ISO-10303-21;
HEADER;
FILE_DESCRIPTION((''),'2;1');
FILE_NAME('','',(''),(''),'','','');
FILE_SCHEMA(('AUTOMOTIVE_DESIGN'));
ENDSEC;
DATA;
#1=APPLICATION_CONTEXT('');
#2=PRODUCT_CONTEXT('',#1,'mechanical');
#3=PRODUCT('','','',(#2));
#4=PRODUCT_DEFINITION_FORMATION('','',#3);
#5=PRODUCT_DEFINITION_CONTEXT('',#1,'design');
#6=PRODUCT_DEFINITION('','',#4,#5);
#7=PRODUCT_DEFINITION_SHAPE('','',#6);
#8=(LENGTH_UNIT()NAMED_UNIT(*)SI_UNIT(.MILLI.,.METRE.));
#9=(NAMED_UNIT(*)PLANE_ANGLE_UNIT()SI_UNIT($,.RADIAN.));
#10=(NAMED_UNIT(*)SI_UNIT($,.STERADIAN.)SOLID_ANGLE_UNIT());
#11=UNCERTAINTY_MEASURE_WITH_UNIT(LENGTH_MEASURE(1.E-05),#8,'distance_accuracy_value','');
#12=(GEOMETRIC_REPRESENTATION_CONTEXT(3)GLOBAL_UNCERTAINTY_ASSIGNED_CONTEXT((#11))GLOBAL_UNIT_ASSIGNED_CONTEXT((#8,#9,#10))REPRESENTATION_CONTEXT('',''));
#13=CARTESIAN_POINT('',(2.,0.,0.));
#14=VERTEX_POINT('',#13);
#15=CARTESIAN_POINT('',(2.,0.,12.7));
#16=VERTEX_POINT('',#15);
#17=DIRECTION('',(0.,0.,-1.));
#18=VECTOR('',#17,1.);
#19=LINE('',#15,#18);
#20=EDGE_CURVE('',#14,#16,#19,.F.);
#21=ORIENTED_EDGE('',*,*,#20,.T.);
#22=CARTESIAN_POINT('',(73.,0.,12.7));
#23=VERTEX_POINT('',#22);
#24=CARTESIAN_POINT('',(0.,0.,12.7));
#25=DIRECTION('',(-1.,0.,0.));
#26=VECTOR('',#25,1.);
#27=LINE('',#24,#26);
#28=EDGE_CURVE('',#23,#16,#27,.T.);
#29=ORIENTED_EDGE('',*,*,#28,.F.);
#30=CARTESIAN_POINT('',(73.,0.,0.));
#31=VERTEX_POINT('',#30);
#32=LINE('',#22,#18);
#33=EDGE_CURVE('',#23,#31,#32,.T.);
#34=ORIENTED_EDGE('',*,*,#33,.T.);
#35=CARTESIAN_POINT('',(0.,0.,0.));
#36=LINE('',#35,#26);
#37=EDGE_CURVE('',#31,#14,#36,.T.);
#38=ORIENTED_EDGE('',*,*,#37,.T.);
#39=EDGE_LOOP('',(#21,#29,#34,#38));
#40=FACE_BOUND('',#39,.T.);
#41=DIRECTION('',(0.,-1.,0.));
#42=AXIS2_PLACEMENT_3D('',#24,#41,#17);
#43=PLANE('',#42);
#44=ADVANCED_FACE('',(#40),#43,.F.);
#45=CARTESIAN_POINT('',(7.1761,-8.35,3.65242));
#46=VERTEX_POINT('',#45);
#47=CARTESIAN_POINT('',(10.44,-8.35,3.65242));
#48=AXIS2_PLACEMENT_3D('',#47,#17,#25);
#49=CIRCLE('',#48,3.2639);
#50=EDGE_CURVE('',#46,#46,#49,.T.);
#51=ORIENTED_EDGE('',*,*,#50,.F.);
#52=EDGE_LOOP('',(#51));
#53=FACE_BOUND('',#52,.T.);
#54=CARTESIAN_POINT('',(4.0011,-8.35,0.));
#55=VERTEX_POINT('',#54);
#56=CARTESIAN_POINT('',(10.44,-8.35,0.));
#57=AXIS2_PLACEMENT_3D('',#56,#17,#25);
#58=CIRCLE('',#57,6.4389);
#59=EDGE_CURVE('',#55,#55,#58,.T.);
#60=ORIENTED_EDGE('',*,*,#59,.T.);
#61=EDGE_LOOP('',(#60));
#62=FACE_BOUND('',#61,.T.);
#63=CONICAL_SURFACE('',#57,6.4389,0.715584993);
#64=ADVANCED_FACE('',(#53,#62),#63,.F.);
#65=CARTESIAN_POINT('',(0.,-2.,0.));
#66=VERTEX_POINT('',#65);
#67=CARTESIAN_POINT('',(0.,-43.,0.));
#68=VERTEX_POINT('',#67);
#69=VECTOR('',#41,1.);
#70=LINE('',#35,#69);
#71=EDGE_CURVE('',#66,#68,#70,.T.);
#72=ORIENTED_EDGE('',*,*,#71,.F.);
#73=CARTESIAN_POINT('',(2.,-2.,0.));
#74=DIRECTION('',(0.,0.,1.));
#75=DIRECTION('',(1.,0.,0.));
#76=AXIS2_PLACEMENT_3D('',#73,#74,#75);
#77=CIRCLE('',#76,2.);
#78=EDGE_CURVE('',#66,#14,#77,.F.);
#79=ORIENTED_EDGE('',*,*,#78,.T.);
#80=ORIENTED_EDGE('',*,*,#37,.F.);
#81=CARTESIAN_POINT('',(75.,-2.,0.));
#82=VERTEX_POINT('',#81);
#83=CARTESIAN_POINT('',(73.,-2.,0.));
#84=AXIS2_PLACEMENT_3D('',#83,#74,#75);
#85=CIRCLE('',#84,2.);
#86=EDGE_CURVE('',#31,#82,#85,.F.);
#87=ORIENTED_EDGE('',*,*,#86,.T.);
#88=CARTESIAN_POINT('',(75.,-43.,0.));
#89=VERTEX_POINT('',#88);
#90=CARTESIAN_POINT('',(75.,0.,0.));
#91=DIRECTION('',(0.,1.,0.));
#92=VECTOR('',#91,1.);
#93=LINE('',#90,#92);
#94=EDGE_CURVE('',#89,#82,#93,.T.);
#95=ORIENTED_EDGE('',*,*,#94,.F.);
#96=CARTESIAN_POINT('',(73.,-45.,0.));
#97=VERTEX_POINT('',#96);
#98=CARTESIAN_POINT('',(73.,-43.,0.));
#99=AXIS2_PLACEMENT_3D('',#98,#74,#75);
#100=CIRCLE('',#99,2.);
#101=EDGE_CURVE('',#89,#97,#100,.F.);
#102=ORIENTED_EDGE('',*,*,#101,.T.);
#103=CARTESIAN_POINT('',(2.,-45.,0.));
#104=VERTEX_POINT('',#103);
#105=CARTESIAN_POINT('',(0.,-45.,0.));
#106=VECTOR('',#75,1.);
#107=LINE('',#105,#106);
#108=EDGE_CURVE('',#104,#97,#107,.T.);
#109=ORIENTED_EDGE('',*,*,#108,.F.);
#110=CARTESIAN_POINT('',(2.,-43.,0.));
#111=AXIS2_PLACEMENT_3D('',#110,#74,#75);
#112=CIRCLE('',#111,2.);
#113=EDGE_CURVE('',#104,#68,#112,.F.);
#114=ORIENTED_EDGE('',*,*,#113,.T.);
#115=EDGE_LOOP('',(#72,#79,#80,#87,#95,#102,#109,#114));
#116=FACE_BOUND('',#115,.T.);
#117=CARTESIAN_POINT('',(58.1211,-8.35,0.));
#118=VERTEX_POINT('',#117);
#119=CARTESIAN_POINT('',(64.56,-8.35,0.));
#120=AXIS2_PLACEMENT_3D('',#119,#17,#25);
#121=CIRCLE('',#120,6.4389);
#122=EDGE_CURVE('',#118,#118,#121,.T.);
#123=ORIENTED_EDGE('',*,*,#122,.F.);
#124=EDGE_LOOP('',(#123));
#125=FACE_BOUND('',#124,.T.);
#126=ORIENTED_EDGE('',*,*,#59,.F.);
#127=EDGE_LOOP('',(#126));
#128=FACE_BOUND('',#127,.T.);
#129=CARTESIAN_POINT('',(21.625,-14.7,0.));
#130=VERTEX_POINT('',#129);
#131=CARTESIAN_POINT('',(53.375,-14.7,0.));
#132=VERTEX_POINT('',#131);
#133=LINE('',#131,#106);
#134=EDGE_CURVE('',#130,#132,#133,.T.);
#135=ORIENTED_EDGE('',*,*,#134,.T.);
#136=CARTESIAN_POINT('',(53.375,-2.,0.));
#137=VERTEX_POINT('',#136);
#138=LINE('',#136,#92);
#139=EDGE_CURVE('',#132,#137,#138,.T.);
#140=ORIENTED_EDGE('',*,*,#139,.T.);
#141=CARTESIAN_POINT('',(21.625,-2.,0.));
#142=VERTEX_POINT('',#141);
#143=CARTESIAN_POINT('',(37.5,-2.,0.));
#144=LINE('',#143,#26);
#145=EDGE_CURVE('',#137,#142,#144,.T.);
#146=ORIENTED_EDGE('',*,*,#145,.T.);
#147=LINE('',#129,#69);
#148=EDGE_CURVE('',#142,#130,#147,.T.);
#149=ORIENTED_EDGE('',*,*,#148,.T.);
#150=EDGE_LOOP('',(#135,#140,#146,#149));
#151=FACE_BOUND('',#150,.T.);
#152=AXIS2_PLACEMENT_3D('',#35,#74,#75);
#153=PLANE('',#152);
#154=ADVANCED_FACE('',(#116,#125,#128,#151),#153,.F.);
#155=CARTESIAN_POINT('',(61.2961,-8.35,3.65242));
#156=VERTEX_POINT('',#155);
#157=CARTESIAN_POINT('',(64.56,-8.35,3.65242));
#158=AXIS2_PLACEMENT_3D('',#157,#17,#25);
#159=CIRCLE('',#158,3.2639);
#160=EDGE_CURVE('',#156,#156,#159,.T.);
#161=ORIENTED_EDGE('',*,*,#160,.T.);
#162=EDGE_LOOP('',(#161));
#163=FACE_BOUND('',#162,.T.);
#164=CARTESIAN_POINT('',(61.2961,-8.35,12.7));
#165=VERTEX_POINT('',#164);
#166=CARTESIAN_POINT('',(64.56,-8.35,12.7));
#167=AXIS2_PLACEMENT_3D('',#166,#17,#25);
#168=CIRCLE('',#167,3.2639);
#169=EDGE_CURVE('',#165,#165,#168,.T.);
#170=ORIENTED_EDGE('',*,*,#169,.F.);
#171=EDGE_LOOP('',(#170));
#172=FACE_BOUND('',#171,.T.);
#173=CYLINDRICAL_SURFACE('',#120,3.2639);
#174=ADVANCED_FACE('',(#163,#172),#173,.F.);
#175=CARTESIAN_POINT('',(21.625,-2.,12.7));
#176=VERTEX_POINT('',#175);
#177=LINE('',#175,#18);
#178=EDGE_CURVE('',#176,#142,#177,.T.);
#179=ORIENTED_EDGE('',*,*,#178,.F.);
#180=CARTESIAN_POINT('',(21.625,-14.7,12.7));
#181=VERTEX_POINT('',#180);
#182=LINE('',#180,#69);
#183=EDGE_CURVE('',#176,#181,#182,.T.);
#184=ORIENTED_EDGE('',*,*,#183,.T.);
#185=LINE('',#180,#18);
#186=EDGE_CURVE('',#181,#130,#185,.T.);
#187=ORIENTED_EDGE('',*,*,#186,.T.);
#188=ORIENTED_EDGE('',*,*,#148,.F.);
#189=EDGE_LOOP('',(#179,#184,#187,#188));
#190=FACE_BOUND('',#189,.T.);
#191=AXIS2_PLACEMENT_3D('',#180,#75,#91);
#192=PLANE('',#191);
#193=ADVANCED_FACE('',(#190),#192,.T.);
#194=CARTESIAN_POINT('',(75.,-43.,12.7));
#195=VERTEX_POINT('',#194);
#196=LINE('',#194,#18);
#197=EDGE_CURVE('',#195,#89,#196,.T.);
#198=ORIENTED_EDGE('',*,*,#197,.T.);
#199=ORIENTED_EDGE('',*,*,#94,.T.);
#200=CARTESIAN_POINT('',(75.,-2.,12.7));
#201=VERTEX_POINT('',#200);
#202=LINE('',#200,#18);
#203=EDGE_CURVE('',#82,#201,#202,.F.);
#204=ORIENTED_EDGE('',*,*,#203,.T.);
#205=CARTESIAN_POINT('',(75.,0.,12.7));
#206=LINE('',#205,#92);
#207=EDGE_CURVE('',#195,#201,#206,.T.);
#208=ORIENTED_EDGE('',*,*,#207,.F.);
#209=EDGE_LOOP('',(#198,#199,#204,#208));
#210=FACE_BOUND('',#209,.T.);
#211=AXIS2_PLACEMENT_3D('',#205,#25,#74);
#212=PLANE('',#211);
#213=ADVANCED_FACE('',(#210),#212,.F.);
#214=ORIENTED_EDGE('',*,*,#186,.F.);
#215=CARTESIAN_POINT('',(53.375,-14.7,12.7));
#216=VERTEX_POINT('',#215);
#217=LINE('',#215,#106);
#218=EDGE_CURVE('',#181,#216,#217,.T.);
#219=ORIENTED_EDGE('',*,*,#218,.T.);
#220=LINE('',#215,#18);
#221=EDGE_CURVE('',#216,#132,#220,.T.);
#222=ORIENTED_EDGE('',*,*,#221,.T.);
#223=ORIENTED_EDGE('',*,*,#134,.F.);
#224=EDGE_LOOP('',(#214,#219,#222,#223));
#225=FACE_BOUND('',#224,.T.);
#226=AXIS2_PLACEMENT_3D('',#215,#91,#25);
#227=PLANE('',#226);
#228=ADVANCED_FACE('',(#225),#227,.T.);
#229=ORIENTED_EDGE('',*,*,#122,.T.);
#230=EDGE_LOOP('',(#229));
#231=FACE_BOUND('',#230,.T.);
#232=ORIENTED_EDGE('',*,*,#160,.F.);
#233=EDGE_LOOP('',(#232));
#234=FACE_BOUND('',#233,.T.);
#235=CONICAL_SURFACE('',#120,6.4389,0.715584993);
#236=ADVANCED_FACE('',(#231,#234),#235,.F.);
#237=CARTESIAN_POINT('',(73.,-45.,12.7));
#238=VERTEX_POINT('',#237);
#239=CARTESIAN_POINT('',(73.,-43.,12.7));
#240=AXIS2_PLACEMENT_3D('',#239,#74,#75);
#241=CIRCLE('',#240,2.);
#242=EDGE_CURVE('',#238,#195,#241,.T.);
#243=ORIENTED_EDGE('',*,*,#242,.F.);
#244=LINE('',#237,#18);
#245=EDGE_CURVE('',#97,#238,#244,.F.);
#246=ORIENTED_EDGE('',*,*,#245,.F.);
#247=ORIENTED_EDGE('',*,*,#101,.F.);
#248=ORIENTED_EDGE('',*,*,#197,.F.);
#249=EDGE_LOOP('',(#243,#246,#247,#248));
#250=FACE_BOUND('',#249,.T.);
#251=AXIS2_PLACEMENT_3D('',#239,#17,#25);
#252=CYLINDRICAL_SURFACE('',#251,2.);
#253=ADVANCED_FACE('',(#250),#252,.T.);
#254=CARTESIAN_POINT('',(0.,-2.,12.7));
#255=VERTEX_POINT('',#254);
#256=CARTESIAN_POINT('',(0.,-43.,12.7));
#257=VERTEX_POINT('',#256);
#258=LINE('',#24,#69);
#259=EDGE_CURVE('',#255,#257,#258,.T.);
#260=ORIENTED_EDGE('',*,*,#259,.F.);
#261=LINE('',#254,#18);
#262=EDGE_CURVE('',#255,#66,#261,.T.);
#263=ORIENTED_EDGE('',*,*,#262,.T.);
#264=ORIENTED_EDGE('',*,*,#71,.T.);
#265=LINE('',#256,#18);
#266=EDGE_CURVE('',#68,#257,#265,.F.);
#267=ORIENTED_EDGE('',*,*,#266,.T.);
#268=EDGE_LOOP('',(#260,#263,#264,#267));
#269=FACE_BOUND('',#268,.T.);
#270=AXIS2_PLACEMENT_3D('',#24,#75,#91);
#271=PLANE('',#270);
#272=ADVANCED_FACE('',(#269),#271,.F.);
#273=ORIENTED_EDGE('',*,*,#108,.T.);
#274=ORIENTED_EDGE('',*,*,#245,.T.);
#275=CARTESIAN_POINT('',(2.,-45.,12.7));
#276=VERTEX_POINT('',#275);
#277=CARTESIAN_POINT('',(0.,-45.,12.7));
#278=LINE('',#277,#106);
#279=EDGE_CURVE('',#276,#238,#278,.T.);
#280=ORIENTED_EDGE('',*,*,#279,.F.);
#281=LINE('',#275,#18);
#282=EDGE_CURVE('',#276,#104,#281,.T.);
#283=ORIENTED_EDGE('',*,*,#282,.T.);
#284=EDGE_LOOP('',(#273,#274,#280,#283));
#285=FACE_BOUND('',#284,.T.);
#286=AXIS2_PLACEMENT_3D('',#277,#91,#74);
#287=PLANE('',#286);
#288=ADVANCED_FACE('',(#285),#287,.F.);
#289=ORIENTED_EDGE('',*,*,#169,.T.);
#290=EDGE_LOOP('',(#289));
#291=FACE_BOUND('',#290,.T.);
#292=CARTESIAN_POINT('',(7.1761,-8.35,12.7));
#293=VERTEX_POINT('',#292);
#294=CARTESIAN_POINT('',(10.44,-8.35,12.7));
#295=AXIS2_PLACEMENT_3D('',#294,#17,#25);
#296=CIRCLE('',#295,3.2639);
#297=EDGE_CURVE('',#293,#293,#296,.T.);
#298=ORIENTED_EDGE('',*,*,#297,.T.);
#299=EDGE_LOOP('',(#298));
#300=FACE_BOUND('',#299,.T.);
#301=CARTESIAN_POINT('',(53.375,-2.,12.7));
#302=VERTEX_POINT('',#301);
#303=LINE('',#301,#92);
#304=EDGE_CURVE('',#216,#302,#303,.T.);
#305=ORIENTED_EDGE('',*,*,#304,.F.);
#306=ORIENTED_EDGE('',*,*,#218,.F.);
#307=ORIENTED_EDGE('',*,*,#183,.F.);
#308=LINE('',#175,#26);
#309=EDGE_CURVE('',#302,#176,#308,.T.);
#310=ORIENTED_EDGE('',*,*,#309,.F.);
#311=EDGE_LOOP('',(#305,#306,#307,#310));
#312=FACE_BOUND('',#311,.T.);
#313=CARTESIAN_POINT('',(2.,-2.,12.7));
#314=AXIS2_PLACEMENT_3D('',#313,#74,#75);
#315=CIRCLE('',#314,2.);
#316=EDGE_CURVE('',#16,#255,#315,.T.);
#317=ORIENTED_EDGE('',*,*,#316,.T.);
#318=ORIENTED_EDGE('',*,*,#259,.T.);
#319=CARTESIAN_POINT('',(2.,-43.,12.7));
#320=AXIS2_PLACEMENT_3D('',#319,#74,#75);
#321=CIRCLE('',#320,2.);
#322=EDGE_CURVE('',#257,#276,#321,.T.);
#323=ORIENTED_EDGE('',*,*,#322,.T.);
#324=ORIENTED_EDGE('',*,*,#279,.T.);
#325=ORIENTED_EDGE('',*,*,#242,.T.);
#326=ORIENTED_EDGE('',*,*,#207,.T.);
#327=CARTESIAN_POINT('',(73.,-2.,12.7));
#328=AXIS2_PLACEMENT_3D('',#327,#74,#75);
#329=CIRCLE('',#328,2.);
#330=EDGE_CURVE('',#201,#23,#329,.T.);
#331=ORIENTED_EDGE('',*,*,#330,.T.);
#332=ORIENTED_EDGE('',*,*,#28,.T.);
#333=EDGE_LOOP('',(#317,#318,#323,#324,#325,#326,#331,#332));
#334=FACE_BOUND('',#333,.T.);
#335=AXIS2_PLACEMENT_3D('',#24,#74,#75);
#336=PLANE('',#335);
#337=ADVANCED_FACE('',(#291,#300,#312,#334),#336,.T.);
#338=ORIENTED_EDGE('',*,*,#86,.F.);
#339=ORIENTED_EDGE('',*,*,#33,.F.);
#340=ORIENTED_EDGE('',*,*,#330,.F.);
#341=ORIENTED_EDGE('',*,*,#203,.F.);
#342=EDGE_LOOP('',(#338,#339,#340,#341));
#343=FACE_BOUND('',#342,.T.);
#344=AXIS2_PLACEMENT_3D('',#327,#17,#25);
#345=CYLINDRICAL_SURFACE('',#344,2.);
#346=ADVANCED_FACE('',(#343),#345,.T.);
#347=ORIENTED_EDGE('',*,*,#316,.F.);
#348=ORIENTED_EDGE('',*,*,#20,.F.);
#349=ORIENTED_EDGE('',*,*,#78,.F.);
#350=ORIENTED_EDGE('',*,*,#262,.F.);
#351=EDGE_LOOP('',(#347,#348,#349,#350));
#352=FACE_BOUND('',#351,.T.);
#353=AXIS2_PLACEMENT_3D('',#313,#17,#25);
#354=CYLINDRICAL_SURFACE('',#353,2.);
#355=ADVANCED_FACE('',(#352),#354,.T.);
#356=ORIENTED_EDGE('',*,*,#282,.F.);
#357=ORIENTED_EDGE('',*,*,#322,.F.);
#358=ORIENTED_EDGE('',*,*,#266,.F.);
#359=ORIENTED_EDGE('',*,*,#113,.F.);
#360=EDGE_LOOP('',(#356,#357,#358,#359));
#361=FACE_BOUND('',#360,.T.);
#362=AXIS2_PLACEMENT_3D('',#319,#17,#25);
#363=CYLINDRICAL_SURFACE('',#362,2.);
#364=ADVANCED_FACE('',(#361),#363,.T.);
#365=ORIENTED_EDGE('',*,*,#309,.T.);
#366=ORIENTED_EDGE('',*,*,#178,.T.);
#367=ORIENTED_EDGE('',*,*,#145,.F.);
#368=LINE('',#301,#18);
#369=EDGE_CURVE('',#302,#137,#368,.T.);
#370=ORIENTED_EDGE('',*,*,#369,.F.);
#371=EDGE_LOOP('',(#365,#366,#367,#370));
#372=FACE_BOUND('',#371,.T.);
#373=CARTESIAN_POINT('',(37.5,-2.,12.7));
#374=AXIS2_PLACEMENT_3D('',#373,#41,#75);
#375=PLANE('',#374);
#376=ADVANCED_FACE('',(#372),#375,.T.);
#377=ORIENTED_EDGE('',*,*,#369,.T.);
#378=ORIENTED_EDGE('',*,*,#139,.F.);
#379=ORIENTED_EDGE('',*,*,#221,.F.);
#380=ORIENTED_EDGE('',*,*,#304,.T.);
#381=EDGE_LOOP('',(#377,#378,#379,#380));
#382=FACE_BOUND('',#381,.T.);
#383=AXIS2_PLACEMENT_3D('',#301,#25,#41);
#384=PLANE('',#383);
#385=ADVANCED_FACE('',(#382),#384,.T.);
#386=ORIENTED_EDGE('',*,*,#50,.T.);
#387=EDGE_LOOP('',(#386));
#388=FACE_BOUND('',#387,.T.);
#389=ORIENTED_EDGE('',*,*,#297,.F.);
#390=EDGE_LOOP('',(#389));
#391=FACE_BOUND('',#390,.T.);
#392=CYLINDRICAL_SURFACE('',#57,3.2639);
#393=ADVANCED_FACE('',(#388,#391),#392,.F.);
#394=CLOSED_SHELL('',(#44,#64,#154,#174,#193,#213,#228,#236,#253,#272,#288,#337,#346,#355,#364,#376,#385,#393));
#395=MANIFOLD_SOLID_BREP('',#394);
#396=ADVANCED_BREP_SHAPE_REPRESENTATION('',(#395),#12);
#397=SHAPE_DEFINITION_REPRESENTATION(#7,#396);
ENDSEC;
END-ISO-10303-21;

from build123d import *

# Parameters (mm, degrees)
SKETCH1_W                                        = 75
SKETCH1_H                                        = 45
BOSS_EXTRUDE1_DEPTH                              = 12.7
CSK_FOR_1_4_FLAT_HEAD_MACHINE_SCREW2_D           = 6.5278
CSK_FOR_1_4_FLAT_HEAD_MACHINE_SCREW2_CSINK_D     = 12.8778
CSK_FOR_1_4_FLAT_HEAD_MACHINE_SCREW2_CSINK_ANGLE = 82
FILLET1_R                                        = 2
FILLET2_R                                        = 2


with BuildPart() as part:
    # Sketch1 → Boss-Extrude1 (new body)
    with BuildSketch(Plane.XY):
        with Locations((37.5, -22.5)):
            Rectangle(SKETCH1_W, SKETCH1_H)
        Polygon((37.5, -2), (53.375, -2), (53.375, -14.7), (21.625, -14.7), (21.625, -2), align=None, mode=Mode.SUBTRACT)
    extrude(amount=BOSS_EXTRUDE1_DEPTH)

    # CSK for 1/4 Flat Head Machine Screw2 (through all)
    with Locations(Plane(origin=(0, 0, 0), x_dir=(-1, 0, 0), z_dir=(0, 0, -1))):
        with Locations((-64.56, -8.35), (-10.44, -8.35)):
            CounterSinkHole(CSK_FOR_1_4_FLAT_HEAD_MACHINE_SCREW2_D / 2, CSK_FOR_1_4_FLAT_HEAD_MACHINE_SCREW2_CSINK_D / 2, counter_sink_angle=CSK_FOR_1_4_FLAT_HEAD_MACHINE_SCREW2_CSINK_ANGLE)

    # Fillet1
    fillet1_edges = [part.edges().sort_by_distance(p)[0] for p in [
        (0, 0, 6.35),
        (0, -45, 6.35),
    ]]
    fillet(fillet1_edges, radius=FILLET1_R)

    # Fillet2
    fillet2_edges = [part.edges().sort_by_distance(p)[0] for p in [
        (75, 0, 6.35),
        (75, -45, 6.35),
    ]]
    fillet(fillet2_edges, radius=FILLET2_R)


solid = part.part
